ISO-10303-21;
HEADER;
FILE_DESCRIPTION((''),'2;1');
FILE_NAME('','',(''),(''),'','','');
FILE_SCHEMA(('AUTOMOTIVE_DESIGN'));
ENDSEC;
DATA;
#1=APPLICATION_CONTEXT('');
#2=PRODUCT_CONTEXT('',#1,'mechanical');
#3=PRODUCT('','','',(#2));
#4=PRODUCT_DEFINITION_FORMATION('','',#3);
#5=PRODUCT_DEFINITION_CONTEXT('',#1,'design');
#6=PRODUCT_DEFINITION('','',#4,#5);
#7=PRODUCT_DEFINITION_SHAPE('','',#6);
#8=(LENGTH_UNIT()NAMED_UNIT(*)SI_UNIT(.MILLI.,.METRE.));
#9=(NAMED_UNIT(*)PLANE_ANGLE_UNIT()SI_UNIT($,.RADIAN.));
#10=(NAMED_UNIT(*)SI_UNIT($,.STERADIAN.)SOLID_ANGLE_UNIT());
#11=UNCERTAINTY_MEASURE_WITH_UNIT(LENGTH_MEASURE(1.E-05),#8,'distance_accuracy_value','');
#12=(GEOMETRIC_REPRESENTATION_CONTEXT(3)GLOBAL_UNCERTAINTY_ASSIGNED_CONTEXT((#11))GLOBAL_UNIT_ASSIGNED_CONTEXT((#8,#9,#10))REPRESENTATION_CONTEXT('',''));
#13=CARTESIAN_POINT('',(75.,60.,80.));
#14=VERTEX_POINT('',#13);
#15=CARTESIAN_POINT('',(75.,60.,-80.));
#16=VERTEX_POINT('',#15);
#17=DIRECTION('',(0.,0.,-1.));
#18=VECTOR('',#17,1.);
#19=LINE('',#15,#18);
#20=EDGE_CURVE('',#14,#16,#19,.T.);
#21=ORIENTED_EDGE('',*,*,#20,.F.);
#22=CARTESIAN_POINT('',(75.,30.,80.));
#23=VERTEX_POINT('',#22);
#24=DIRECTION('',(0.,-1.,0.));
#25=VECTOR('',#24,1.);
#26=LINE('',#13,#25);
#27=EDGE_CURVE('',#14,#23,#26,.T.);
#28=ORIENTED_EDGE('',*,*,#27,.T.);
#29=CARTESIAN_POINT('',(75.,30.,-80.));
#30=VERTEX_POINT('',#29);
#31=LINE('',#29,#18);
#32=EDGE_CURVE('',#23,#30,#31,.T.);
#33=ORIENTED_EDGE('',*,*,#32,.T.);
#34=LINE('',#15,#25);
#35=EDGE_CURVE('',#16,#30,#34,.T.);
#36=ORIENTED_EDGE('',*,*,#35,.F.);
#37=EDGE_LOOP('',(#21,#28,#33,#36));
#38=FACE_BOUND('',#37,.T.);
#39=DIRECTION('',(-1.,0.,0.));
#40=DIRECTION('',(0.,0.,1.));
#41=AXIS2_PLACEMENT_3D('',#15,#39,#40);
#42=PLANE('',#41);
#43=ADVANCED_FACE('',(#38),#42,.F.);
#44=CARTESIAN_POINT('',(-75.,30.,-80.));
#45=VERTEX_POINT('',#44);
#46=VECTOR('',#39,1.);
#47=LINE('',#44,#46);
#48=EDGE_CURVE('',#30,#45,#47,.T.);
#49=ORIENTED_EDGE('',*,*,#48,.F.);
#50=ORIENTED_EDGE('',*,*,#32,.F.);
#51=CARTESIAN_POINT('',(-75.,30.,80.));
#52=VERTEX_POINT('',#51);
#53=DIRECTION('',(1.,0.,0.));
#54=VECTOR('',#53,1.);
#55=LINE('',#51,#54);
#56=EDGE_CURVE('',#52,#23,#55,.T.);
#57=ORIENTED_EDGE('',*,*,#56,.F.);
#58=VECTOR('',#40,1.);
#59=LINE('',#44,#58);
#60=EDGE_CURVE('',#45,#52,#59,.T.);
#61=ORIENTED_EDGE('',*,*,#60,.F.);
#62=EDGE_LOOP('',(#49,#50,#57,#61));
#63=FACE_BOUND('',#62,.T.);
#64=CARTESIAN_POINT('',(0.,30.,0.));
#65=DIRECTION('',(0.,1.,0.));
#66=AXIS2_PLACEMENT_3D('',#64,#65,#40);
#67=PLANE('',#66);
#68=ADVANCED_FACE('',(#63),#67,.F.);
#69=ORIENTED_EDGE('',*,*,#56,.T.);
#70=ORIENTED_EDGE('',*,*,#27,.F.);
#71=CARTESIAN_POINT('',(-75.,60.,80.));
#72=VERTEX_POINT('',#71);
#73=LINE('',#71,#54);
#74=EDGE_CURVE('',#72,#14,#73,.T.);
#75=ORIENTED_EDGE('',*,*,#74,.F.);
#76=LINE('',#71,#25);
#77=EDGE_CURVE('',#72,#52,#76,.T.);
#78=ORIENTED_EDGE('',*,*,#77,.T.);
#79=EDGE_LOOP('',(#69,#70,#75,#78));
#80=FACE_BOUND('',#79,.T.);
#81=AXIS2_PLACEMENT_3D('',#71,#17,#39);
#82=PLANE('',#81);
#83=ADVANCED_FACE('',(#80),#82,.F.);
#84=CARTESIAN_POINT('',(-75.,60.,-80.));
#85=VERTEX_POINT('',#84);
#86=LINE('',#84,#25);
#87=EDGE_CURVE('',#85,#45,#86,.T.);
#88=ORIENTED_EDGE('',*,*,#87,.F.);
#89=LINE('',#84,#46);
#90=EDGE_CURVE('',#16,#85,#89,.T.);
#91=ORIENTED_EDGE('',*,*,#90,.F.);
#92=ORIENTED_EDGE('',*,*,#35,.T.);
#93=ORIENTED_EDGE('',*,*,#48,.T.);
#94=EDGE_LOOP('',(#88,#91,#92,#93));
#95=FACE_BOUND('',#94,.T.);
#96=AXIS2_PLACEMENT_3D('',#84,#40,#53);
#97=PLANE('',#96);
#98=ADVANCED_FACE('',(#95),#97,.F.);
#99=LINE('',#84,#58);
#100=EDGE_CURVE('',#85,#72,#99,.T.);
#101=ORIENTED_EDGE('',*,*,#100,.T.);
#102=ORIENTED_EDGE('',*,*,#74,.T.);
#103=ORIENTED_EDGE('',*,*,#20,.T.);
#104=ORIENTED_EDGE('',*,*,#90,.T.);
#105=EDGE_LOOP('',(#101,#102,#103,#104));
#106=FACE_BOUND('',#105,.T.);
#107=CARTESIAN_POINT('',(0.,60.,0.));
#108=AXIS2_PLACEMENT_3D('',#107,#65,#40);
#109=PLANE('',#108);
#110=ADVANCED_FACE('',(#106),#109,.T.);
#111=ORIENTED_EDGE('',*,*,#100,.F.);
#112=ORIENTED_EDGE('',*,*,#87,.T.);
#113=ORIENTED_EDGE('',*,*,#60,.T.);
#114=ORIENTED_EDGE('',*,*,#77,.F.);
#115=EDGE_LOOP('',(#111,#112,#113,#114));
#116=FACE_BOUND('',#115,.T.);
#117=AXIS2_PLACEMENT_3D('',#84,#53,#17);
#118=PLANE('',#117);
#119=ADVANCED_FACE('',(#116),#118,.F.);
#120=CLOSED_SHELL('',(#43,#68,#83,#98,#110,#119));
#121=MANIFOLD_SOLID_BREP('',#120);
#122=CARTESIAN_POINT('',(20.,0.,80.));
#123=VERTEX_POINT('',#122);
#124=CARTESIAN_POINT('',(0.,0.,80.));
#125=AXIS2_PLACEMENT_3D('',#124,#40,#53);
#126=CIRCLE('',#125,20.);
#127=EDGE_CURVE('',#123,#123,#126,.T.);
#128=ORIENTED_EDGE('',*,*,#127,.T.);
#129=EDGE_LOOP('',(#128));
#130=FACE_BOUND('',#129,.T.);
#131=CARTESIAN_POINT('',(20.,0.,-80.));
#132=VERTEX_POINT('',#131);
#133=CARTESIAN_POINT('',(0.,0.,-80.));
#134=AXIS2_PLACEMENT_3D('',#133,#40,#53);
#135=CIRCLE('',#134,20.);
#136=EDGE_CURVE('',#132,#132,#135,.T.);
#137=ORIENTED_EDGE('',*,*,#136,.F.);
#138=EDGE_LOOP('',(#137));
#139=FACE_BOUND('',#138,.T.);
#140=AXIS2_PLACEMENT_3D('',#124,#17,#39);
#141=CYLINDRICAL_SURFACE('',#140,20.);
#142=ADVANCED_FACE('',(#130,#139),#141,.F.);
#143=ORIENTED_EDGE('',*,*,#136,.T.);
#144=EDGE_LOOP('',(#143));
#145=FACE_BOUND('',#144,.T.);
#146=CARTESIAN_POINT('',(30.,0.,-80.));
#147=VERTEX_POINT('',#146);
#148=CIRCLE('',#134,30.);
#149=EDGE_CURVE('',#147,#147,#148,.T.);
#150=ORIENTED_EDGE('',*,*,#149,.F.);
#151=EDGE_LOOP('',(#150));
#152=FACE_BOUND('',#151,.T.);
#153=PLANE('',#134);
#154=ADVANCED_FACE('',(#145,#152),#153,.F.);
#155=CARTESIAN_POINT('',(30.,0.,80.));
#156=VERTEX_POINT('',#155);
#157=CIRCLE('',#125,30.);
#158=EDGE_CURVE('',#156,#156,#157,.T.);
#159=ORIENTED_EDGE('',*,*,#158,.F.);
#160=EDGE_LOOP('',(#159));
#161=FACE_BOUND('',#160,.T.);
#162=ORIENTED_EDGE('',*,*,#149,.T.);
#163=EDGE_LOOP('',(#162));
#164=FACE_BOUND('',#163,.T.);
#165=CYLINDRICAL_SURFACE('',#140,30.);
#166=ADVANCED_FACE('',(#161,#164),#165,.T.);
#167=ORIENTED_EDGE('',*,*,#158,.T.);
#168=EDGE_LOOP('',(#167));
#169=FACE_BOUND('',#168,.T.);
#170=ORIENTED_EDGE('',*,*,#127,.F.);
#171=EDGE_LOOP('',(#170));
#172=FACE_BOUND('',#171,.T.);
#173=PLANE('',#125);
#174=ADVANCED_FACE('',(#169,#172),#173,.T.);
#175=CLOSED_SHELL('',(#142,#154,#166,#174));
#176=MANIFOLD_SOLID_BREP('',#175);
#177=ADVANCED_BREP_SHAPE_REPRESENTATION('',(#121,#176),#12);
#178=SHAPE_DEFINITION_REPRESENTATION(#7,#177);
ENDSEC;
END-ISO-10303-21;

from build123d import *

# Parameters (mm, degrees)
SKETCH1_R           = 30
SKETCH1_R_2         = 20
BOSS_EXTRUDE1_DEPTH = 80
SKETCH2_W           = 150
SKETCH2_H           = 160
BOSS_EXTRUDE2_DEPTH = 30


with BuildPart() as part:
    # Sketch1 → Boss-Extrude1 (new, symmetric)
    with BuildSketch(Plane.XY):
        Circle(SKETCH1_R)
        Circle(SKETCH1_R_2, mode=Mode.SUBTRACT)
    extrude(amount=BOSS_EXTRUDE1_DEPTH, both=True)


with BuildPart() as body_2:
    # Sketch2 → Boss-Extrude2 (new body)
    with BuildSketch(Plane(origin=(0, 30, 0), x_dir=(1, 0, 0), z_dir=(0, 1, 0))):
        Rectangle(SKETCH2_W, SKETCH2_H)
    extrude(amount=BOSS_EXTRUDE2_DEPTH)


solid = Compound([part.part, body_2.part])
